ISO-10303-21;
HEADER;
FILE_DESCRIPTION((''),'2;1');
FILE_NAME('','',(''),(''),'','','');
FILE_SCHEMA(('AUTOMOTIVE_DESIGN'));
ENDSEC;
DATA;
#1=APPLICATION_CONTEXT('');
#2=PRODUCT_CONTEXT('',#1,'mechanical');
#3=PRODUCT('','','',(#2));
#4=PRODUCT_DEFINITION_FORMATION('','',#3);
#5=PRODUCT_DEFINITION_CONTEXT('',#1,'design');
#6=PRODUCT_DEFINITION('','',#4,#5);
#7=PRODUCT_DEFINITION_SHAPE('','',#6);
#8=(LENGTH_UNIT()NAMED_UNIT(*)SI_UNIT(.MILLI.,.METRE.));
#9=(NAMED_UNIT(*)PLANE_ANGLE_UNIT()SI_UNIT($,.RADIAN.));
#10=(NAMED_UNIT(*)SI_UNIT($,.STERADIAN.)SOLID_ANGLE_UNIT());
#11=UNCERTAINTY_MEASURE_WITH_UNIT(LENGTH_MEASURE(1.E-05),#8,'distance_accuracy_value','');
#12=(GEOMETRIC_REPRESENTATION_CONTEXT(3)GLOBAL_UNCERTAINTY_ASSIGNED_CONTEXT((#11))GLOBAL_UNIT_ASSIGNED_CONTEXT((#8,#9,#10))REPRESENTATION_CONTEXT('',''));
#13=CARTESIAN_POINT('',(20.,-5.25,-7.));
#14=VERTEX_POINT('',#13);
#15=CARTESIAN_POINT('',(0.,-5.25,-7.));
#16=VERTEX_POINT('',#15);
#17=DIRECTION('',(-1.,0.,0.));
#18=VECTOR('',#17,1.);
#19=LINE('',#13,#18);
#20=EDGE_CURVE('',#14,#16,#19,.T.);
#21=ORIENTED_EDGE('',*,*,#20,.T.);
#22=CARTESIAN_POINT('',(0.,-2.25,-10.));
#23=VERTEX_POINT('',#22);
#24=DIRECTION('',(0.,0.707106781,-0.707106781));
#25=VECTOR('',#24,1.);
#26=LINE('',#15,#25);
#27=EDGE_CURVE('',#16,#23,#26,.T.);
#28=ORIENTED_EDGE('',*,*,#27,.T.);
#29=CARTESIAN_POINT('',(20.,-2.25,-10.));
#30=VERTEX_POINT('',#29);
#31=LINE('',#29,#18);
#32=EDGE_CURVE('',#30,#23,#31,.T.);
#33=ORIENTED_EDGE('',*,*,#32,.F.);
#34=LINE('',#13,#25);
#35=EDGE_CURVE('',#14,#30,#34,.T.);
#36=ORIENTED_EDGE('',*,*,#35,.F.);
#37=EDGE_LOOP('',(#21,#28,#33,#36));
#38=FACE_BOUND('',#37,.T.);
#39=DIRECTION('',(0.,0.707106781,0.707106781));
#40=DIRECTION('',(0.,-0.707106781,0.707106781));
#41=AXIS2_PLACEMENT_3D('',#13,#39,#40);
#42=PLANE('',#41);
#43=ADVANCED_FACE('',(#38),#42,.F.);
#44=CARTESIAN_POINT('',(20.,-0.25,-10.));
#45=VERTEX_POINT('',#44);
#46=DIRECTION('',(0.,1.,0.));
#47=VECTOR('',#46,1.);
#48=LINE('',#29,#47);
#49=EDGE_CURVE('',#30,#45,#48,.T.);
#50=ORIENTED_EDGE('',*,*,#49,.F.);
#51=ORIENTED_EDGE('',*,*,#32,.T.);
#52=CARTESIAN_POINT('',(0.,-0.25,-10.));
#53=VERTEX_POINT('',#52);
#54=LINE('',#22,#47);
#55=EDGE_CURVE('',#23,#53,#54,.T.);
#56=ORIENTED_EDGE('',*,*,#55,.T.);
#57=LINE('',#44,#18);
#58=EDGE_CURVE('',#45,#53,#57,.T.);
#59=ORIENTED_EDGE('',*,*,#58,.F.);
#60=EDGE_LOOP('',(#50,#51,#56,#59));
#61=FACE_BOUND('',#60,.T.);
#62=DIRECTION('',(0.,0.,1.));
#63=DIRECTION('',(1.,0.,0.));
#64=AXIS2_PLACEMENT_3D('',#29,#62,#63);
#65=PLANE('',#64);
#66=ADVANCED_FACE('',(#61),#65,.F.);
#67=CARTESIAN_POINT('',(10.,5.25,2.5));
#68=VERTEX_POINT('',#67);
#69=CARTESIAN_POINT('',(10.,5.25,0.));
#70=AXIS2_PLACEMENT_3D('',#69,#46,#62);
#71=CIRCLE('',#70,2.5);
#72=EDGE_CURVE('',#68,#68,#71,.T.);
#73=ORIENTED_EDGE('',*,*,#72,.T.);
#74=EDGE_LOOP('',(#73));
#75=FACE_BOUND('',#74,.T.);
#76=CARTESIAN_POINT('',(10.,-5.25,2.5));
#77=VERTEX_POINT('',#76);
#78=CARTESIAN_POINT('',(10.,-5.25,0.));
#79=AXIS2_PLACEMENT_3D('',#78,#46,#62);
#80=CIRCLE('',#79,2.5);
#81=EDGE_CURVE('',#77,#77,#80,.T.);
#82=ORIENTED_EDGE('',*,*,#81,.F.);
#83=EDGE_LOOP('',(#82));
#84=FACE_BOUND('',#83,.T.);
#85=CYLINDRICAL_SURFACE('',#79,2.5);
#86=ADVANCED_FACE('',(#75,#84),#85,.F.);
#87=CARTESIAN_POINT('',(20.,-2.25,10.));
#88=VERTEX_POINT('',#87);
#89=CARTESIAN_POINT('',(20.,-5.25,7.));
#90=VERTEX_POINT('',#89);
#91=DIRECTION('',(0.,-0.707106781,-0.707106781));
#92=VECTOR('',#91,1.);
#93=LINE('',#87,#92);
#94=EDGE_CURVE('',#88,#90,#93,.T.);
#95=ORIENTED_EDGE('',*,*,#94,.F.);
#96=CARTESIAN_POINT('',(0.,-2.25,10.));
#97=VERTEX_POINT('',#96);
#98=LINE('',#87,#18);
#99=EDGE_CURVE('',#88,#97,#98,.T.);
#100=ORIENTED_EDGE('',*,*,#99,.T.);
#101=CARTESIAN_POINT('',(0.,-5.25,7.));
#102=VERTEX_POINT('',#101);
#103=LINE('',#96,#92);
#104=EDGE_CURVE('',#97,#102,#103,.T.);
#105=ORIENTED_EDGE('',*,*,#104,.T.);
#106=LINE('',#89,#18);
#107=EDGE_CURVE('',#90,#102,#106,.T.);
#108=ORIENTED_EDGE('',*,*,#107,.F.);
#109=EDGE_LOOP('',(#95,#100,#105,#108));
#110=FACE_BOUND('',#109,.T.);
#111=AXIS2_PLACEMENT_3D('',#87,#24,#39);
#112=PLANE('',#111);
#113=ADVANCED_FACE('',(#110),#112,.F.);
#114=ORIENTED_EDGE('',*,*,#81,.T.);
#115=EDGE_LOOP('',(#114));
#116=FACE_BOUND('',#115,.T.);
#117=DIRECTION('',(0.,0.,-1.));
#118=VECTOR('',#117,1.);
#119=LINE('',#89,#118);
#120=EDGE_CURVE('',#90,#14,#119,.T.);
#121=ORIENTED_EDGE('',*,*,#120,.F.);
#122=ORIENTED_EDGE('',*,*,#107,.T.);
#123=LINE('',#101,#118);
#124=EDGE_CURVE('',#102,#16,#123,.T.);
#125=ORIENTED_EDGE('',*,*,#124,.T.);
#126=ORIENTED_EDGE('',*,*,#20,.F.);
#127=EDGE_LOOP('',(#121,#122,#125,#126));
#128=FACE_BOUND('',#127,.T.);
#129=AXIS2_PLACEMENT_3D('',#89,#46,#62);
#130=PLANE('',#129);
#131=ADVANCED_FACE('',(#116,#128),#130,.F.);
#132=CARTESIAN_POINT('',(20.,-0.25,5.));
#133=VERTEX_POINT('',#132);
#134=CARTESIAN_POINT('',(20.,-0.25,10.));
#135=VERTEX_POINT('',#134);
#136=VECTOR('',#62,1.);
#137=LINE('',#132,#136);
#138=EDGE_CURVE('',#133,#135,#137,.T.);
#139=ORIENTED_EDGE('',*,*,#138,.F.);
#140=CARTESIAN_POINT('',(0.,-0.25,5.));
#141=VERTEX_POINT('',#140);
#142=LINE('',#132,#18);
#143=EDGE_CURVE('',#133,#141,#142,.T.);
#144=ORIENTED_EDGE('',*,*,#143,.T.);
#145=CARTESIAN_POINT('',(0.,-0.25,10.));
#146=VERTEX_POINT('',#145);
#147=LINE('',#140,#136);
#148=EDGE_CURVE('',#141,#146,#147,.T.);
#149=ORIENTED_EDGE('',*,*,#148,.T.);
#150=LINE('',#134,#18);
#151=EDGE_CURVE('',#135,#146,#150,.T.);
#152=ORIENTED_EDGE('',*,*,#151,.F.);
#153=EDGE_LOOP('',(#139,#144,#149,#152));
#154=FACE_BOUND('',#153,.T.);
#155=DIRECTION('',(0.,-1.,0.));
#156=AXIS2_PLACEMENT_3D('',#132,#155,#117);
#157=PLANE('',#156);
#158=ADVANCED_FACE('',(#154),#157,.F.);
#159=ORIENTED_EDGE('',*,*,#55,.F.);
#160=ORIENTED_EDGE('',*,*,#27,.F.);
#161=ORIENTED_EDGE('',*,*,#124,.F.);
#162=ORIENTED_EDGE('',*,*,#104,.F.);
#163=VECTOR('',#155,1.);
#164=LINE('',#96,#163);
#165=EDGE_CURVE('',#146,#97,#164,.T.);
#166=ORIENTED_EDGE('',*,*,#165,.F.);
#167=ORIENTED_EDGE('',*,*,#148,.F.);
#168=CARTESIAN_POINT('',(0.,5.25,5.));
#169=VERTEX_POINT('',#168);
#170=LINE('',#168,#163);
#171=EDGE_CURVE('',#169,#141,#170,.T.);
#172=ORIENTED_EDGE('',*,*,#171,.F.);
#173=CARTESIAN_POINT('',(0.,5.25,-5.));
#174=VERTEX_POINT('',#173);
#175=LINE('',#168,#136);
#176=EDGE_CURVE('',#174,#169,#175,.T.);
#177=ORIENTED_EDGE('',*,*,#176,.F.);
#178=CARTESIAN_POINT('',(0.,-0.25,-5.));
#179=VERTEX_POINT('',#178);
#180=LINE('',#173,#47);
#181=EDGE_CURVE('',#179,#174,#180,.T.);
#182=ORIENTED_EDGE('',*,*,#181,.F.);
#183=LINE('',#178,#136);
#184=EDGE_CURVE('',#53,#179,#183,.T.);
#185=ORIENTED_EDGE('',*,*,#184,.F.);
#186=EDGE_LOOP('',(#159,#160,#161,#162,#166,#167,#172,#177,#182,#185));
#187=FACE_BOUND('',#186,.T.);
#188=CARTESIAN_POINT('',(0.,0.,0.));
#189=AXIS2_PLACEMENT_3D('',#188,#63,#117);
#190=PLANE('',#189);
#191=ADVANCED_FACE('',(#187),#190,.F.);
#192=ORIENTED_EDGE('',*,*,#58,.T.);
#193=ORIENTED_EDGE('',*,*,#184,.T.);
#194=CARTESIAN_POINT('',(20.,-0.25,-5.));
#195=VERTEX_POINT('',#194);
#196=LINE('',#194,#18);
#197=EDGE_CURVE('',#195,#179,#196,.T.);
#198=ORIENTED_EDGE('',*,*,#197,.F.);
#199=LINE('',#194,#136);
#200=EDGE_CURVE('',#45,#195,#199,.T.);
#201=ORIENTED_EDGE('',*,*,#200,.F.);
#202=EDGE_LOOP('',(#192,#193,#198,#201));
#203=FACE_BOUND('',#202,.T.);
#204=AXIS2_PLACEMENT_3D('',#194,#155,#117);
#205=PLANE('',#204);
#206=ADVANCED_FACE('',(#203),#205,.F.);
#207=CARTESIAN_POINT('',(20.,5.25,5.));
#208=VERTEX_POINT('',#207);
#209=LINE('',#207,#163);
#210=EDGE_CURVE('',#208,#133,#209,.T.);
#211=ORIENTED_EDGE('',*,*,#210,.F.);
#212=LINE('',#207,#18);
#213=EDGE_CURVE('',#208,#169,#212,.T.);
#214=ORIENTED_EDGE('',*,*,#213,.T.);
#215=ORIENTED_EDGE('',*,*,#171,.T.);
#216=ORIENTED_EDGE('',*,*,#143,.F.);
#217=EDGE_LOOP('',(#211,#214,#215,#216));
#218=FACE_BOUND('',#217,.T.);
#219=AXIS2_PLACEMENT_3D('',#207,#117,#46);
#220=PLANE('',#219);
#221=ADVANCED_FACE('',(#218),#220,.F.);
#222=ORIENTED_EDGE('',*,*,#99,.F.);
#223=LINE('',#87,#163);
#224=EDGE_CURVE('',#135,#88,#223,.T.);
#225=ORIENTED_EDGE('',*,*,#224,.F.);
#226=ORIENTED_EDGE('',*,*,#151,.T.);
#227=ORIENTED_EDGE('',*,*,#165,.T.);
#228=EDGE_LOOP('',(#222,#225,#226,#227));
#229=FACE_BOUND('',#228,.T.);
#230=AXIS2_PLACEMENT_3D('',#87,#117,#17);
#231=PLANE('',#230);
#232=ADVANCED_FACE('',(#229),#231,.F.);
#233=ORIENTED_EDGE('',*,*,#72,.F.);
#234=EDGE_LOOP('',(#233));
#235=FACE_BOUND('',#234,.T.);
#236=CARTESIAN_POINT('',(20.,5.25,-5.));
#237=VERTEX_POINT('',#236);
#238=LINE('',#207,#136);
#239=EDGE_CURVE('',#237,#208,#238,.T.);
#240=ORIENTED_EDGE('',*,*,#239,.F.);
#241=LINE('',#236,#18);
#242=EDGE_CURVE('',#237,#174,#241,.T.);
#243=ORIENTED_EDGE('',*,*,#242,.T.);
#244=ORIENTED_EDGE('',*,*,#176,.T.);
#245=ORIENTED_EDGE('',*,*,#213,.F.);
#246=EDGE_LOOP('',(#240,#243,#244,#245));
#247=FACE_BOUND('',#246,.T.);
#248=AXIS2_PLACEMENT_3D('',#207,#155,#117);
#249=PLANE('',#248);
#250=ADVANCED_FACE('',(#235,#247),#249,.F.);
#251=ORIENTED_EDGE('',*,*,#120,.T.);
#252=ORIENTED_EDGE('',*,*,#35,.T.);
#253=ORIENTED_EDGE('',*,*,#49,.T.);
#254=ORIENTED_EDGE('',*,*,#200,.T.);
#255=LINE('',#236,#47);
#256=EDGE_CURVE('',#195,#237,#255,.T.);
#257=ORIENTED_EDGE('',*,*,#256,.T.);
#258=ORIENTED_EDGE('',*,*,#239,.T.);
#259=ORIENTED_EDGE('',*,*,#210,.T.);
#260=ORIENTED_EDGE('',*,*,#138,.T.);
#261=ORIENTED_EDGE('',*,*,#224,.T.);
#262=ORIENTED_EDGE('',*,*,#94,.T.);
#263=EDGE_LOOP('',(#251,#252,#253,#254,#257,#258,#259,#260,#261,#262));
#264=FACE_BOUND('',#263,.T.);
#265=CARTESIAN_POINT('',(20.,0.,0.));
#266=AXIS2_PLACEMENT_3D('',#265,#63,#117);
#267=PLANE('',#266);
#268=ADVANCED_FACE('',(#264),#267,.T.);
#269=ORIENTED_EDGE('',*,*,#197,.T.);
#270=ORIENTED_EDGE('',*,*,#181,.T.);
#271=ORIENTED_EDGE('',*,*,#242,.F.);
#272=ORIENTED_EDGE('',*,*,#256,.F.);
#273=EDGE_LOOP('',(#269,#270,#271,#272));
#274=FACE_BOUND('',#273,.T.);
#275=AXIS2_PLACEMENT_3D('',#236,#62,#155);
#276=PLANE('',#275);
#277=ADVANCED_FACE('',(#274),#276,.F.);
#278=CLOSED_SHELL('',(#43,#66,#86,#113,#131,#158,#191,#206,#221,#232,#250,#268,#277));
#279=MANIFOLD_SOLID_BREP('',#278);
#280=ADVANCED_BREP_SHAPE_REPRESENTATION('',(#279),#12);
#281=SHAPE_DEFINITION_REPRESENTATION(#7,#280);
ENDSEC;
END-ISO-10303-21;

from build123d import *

# Parameters (mm, degrees)
EXTRUDE_1_DEPTH     = 20
SKETCH_2_R          = 2.5
CUT_EXTRUDE_1_DEPTH = 11.5


with BuildPart() as part:
    # Эскиз1 → Бобышка-Вытянуть1 (new body)
    with BuildSketch(Plane(origin=(0, 0, 0), x_dir=(0, 0, -1), z_dir=(1, 0, 0))):
        Polygon((-7, -5.25), (7, -5.25), (10, -2.25), (10, -0.25), (5, -0.25), (5, 5.25), (-5, 5.25), (-5, -0.25), (-10, -0.25), (-10, -2.25), align=None)
    extrude(amount=EXTRUDE_1_DEPTH)

    # Эскиз2 → Вырез-Вытянуть1 (cut, through all)
    with BuildSketch(Plane(origin=(0, 5.25, 0), x_dir=(1, 0, 0), z_dir=(0, 1, 0))):
        with Locations((10, 0)):
            Circle(SKETCH_2_R)
    extrude(amount=-CUT_EXTRUDE_1_DEPTH, mode=Mode.SUBTRACT)


solid = part.part
